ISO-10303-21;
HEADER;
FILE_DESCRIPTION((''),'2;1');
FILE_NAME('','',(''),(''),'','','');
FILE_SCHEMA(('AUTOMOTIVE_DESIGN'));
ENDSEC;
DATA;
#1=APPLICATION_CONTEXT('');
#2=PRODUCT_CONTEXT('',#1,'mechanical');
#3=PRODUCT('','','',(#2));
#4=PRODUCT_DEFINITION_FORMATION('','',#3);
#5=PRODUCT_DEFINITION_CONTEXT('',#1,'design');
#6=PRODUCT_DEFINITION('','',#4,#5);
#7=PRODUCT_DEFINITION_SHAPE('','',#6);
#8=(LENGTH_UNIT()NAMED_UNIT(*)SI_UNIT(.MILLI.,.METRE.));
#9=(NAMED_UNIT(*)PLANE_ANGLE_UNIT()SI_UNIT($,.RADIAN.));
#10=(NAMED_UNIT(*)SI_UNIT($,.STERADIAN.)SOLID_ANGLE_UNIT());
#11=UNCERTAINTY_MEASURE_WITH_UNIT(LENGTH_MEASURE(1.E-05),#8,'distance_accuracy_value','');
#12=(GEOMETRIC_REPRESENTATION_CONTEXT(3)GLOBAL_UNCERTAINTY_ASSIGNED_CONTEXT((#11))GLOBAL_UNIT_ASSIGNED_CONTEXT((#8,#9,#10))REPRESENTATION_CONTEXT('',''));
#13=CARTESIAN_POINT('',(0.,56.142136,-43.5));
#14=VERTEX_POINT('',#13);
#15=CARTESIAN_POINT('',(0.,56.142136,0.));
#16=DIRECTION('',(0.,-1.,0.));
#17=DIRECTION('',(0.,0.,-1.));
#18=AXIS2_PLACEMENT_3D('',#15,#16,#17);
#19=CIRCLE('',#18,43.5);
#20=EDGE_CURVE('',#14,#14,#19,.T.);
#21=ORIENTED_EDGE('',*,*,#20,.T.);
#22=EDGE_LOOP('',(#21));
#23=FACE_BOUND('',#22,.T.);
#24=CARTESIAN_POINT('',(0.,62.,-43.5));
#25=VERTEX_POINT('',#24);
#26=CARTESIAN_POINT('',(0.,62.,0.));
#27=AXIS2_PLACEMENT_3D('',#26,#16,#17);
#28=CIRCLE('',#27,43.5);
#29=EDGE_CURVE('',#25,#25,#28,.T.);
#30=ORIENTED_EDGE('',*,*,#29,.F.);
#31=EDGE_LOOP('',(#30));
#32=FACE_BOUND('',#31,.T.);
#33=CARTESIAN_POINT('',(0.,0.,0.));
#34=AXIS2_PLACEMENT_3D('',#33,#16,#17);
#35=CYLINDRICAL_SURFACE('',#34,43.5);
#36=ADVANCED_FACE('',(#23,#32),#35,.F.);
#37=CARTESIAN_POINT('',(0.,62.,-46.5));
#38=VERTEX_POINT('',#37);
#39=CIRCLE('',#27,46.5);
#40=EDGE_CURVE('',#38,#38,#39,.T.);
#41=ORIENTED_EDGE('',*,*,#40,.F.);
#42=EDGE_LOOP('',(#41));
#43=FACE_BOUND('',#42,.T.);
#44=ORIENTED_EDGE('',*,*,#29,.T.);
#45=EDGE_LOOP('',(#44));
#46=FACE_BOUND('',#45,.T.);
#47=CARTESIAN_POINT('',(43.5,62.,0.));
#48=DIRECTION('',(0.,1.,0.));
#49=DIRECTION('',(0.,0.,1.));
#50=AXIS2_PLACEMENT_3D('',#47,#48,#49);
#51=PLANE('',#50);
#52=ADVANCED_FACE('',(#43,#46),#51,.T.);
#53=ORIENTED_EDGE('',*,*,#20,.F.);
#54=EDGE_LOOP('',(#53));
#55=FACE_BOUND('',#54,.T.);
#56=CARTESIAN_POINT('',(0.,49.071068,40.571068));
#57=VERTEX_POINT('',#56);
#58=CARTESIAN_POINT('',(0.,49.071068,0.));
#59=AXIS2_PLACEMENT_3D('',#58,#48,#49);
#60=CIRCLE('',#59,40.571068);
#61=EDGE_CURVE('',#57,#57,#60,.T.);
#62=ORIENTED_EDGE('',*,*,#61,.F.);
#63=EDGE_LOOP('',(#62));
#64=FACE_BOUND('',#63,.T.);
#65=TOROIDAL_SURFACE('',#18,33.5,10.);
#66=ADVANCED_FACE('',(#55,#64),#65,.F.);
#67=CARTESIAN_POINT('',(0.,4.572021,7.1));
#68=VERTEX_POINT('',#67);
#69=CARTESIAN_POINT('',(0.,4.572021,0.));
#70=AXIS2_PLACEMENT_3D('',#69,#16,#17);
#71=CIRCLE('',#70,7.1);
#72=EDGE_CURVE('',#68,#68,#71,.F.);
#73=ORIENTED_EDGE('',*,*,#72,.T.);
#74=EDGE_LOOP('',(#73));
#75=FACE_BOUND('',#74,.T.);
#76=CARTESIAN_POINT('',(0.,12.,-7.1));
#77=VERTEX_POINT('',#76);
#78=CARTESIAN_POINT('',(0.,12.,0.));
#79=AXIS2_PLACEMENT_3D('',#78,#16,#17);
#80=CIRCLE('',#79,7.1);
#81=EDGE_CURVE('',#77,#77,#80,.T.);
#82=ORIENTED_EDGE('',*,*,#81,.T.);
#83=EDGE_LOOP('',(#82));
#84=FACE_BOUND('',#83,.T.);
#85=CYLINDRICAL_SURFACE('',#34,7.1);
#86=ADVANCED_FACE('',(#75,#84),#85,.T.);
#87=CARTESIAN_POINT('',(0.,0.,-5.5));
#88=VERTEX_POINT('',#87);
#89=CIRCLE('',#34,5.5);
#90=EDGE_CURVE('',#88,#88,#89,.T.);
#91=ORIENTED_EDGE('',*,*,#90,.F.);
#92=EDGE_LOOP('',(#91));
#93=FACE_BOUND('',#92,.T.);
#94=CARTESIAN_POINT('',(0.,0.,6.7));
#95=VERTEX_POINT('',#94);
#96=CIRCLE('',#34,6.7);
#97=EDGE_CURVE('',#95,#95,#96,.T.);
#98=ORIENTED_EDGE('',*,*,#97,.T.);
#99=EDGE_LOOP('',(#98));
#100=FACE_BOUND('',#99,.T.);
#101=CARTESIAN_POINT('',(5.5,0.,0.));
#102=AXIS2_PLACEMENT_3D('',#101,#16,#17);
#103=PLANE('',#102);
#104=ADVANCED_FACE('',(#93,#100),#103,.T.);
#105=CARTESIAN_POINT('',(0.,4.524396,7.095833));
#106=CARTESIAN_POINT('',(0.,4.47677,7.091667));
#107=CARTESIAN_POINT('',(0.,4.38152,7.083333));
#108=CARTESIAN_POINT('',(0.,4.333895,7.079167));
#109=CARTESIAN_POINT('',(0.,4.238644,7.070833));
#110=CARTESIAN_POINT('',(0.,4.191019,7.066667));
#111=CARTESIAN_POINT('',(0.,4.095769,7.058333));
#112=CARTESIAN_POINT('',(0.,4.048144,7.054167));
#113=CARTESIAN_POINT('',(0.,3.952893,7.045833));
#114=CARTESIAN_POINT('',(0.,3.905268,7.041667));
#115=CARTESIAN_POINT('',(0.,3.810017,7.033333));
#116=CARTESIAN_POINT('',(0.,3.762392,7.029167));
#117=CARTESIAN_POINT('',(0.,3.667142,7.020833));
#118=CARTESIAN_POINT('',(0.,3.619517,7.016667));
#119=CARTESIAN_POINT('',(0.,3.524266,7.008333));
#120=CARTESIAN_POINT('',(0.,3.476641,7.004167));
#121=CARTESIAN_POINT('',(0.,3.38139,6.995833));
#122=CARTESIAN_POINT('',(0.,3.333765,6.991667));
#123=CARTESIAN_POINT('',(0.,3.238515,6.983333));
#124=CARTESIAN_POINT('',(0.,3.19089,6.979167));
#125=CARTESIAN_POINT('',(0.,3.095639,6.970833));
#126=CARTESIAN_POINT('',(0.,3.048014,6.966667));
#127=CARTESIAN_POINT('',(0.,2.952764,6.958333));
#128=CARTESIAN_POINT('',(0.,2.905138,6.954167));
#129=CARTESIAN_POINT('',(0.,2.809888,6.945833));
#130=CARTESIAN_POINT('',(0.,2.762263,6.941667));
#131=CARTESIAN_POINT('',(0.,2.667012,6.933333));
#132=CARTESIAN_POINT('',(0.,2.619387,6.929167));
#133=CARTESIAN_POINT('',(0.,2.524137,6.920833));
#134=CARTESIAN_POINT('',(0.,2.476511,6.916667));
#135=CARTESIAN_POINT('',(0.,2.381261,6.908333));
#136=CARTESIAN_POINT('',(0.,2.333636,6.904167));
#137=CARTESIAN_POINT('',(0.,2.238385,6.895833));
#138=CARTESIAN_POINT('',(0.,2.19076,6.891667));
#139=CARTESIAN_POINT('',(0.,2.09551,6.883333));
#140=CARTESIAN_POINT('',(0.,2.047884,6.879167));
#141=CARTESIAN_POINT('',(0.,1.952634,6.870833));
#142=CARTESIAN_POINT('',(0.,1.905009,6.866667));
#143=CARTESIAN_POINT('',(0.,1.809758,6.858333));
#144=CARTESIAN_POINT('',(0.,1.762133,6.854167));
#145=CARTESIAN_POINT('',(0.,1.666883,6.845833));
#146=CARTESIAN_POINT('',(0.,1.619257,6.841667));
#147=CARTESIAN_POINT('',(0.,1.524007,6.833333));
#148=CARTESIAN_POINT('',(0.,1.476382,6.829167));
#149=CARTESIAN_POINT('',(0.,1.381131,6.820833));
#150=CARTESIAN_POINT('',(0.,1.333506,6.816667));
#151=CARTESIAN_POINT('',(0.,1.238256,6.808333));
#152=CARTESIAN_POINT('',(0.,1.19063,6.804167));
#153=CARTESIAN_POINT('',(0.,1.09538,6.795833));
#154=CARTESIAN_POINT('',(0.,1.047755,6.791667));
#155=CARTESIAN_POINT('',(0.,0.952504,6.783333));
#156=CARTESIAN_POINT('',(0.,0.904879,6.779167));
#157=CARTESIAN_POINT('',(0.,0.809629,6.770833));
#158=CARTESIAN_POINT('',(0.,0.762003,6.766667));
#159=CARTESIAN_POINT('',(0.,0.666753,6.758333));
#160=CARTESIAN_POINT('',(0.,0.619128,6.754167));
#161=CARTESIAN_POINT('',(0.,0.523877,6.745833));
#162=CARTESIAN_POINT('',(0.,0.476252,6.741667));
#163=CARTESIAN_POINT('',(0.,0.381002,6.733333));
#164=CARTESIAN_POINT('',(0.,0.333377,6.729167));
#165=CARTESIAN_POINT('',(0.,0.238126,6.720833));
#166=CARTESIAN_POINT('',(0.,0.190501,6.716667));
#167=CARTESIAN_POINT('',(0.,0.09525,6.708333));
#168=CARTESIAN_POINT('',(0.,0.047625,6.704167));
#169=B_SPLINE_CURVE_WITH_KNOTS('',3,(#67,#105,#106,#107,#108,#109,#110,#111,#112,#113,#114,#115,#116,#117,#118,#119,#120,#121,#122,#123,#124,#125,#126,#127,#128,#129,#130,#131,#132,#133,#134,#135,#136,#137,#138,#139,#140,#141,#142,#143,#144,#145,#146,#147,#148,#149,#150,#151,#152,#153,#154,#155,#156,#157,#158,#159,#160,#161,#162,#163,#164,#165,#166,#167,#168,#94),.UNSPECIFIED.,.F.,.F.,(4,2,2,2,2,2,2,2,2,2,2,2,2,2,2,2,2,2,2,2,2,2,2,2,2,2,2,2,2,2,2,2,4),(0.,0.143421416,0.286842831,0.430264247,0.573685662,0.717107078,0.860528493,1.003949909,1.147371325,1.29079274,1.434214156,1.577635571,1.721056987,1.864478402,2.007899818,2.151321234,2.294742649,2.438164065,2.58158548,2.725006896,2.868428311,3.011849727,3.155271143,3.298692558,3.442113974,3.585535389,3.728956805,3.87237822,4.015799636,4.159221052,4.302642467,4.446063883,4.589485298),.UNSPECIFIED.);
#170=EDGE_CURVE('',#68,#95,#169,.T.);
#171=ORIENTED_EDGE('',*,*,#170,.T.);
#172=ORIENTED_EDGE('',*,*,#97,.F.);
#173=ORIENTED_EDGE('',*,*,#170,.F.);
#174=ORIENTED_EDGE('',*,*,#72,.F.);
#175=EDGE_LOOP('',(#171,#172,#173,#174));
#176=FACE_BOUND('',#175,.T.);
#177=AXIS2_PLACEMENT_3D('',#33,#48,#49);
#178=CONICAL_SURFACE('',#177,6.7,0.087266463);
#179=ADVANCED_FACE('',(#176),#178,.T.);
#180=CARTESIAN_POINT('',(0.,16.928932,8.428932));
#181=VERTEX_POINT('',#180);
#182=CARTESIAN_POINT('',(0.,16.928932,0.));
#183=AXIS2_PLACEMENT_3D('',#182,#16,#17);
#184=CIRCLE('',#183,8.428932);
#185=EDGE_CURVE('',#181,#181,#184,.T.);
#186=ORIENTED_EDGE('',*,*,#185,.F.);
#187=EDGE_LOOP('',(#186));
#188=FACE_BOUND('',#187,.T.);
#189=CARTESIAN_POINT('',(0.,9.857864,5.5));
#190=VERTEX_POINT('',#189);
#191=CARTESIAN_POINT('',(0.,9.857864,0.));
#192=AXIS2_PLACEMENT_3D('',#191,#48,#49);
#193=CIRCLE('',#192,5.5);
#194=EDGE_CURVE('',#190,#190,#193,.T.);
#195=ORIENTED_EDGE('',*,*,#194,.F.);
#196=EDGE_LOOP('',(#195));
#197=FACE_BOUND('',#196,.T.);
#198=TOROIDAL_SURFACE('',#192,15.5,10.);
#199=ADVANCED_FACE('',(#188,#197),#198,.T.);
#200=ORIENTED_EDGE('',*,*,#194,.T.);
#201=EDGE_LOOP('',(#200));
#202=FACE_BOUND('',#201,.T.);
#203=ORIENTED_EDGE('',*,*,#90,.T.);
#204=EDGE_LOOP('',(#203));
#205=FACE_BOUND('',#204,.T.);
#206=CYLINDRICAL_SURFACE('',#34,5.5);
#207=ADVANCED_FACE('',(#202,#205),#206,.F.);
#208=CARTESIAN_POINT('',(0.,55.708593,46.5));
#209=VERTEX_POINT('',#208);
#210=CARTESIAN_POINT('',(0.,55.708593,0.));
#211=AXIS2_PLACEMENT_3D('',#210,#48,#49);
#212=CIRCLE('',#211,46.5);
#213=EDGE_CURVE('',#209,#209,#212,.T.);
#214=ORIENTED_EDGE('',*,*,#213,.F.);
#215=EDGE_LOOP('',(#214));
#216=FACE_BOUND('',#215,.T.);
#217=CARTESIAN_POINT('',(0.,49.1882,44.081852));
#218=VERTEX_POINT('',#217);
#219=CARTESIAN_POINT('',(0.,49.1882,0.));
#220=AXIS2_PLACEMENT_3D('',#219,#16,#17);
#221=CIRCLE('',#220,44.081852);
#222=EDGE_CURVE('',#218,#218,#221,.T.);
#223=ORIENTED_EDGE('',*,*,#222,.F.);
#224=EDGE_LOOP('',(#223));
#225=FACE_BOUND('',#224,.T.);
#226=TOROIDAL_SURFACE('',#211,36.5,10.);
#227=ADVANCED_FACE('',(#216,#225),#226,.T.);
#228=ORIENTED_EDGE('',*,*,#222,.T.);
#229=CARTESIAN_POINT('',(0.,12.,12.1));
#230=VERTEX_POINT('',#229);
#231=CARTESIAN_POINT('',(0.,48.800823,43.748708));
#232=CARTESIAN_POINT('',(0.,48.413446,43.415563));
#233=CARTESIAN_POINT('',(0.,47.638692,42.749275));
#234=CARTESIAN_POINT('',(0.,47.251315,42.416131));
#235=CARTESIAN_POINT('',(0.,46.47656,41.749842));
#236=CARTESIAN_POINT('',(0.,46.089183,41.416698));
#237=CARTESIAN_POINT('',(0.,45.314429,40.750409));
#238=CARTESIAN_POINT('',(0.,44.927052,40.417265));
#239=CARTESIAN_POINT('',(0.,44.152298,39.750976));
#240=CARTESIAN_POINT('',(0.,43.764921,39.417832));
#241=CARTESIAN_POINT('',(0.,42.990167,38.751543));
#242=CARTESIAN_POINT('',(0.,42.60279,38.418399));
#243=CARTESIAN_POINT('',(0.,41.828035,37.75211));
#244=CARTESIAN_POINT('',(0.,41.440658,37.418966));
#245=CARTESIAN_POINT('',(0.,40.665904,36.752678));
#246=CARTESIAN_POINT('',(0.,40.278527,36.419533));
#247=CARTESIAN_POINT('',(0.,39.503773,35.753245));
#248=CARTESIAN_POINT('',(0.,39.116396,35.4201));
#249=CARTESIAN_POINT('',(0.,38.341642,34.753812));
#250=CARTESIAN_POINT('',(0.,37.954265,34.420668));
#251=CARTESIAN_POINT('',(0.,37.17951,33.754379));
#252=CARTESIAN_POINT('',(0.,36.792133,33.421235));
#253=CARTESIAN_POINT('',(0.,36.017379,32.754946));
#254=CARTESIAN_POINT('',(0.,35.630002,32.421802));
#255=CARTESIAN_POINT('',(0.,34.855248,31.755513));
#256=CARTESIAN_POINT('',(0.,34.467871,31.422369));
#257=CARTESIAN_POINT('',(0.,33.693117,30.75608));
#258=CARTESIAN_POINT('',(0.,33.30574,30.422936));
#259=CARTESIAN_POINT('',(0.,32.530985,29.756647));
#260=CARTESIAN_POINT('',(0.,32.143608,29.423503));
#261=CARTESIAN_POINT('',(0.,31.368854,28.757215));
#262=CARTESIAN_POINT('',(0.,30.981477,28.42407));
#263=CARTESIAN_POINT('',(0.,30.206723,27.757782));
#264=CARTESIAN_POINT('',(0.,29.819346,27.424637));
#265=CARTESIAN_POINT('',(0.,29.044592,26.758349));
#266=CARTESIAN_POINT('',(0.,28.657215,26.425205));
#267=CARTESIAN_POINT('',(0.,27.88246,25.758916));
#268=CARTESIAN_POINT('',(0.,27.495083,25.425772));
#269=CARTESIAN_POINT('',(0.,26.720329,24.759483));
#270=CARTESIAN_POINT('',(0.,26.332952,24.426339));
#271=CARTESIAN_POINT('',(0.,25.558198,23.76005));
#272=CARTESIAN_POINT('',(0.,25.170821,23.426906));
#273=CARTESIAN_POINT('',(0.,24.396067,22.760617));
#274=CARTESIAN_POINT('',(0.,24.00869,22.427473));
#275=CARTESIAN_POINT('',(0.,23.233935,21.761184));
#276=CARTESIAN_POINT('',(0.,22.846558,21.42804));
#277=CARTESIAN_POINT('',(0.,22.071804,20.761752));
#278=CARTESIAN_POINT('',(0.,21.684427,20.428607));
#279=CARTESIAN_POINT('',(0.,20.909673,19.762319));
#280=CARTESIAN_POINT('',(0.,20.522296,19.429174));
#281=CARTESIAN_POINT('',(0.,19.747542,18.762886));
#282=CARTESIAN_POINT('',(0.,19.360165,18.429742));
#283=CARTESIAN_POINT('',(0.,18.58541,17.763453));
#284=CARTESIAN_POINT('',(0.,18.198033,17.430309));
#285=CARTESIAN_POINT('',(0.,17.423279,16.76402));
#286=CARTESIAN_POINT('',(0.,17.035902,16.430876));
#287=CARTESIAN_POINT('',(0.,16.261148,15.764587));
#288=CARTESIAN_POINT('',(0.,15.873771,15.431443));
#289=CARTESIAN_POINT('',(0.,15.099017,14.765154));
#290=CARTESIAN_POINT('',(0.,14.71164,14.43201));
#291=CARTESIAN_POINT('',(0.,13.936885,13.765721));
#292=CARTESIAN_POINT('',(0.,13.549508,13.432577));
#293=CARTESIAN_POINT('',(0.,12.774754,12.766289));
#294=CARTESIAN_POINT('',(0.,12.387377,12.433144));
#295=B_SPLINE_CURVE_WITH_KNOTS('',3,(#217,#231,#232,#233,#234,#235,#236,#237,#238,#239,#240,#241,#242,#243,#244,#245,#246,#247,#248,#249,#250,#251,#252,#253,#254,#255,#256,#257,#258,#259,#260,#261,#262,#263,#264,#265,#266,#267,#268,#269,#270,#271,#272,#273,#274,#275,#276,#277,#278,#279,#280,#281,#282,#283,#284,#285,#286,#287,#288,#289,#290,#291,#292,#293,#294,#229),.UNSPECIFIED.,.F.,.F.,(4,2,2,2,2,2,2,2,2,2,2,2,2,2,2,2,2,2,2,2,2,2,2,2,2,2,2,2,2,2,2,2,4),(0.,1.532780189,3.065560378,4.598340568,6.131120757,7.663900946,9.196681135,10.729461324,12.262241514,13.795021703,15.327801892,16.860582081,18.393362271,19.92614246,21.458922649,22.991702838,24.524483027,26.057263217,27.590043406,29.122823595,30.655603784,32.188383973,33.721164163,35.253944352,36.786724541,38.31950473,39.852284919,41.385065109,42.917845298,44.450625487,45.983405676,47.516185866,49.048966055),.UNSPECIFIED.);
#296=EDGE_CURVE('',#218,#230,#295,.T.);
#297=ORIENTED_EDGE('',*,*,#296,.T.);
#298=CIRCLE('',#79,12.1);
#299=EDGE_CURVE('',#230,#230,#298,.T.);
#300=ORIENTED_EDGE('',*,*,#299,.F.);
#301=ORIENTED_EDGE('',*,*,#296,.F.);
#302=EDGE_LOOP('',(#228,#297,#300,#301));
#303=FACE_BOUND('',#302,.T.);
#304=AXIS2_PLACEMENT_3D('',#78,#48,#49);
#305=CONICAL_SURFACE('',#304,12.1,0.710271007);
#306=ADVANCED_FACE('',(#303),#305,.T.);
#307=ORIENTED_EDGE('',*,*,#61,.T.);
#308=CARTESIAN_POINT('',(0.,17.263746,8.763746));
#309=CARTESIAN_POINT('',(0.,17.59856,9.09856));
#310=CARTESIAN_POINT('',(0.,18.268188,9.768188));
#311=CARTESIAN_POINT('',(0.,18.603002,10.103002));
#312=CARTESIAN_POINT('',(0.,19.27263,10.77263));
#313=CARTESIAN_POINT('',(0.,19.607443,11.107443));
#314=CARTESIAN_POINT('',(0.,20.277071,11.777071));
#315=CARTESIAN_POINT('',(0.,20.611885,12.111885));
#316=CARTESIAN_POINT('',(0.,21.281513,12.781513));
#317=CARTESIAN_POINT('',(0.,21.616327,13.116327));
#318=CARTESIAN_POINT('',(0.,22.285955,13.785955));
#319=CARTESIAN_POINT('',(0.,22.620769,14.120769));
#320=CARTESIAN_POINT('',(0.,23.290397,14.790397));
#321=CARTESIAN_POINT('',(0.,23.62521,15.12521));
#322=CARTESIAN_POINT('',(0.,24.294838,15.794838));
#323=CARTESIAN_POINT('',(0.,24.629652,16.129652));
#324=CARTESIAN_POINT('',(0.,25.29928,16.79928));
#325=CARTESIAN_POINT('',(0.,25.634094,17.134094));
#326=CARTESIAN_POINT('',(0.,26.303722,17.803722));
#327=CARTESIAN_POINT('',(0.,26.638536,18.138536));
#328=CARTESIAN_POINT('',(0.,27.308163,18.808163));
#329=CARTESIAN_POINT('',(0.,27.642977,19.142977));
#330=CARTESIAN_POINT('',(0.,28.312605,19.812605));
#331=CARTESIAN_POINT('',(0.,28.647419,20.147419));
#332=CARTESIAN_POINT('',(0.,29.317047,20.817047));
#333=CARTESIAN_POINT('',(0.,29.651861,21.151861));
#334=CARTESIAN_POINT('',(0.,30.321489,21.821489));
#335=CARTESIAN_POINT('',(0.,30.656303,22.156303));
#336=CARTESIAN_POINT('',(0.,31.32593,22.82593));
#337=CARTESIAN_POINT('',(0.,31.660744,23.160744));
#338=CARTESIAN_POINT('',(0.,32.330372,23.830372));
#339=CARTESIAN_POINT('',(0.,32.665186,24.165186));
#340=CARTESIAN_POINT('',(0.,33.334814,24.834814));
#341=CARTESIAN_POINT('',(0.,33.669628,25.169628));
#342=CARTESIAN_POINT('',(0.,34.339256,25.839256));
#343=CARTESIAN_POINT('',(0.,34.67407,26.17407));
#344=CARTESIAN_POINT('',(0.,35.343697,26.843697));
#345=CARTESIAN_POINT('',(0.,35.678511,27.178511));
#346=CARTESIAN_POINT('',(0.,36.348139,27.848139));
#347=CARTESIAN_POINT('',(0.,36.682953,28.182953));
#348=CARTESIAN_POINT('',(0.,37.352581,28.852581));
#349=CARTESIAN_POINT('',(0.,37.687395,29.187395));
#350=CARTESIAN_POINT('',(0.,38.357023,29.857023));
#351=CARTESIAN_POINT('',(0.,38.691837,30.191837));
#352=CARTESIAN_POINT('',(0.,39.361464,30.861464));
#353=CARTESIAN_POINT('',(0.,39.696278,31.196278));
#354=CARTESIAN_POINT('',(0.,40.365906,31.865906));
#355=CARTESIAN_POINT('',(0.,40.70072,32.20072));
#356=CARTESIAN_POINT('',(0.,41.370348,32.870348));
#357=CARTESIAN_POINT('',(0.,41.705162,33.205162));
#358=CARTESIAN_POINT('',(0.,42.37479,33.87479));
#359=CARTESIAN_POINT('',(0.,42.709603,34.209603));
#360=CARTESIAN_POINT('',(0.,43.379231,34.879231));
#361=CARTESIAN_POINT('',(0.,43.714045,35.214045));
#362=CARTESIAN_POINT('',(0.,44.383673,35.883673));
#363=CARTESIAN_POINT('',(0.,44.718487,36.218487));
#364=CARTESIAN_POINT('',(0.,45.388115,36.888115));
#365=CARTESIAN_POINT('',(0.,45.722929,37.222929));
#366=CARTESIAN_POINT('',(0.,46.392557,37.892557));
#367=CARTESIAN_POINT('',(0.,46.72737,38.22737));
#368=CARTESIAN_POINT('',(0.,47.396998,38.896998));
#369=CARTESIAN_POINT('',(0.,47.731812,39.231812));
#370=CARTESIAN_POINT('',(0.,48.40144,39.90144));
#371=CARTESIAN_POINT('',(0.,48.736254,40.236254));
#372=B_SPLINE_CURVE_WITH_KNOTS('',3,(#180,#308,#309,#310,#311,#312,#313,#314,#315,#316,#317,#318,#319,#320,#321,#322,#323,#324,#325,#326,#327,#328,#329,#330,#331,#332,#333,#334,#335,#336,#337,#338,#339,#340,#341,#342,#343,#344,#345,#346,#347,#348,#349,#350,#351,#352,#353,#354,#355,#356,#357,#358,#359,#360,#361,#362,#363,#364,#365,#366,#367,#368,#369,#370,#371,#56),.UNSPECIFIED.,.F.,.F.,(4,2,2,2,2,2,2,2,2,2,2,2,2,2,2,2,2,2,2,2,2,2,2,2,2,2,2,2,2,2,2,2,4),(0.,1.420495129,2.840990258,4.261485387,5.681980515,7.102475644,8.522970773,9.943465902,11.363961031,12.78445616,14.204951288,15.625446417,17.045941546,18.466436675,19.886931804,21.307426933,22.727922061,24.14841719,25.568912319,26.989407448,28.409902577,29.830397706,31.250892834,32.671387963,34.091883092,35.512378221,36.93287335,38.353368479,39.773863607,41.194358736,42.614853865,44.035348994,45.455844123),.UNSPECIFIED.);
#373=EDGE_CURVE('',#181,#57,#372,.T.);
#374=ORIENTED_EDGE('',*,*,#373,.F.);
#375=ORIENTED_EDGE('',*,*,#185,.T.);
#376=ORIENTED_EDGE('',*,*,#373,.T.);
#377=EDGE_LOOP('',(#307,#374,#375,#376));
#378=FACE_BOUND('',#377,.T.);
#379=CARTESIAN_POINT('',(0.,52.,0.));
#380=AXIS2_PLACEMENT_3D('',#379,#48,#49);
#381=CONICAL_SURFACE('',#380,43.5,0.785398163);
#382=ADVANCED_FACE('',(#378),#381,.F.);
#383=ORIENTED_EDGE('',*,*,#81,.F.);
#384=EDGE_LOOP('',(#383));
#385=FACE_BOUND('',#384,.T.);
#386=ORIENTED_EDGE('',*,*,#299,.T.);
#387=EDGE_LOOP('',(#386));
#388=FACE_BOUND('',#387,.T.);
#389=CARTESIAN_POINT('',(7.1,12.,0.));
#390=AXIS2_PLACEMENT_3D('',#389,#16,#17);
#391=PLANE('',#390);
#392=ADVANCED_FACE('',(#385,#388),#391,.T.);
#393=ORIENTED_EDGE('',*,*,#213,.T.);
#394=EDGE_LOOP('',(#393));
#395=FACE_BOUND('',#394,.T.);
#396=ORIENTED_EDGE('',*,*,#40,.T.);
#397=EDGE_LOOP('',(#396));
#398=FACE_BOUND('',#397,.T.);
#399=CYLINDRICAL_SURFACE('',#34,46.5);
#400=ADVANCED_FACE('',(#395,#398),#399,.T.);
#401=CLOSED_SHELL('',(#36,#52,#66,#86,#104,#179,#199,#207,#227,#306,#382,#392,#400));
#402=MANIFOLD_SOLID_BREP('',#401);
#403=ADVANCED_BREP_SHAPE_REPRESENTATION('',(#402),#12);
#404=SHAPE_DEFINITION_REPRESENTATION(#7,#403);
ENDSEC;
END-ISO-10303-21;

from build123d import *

# Parameters (mm, degrees)
FILLET1_R      = 10
CHAMFER1_SIZE  = 0.4
CHAMFER1_SIZE2 = 4.572020921


with BuildPart() as part:
    # Sketch1 → Revolve1 (revolve)
    with BuildSketch(Plane.XY, mode=Mode.PRIVATE) as revolve1_sk:
        Polygon((5.5, 0), (7.1, 0), (7.1, 12), (12.1, 12), (46.5, 52), (46.5, 62), (43.5, 62), (43.5, 52), (5.5, 14), align=None)
    revolve(revolve1_sk.sketch.rotate(Axis((0, 0, 0), (0, 1, 0)), 90), axis=Axis((0, 0, 0), (0, 1, 0)))

    # Fillet1
    fillet1_edges = [part.edges().sort_by_distance(p)[0] for p in [
        (0, 14, 5.5),
        (0, 52, 43.5),
        (0, 52, 46.5),
    ]]
    fillet(fillet1_edges, radius=FILLET1_R)

    # Chamfer1
    chamfer1_edges = [part.edges().sort_by_distance(p)[0] for p in [
        (0, 0, 7.1),
    ]]
    chamfer1_side = [part.faces().sort_by_distance(p)[0] for p in [
        (0, 0, 5.700818326),
    ]]
    chamfer(chamfer1_edges, length=CHAMFER1_SIZE, length2=CHAMFER1_SIZE2, reference=chamfer1_side[0])


solid = part.part
